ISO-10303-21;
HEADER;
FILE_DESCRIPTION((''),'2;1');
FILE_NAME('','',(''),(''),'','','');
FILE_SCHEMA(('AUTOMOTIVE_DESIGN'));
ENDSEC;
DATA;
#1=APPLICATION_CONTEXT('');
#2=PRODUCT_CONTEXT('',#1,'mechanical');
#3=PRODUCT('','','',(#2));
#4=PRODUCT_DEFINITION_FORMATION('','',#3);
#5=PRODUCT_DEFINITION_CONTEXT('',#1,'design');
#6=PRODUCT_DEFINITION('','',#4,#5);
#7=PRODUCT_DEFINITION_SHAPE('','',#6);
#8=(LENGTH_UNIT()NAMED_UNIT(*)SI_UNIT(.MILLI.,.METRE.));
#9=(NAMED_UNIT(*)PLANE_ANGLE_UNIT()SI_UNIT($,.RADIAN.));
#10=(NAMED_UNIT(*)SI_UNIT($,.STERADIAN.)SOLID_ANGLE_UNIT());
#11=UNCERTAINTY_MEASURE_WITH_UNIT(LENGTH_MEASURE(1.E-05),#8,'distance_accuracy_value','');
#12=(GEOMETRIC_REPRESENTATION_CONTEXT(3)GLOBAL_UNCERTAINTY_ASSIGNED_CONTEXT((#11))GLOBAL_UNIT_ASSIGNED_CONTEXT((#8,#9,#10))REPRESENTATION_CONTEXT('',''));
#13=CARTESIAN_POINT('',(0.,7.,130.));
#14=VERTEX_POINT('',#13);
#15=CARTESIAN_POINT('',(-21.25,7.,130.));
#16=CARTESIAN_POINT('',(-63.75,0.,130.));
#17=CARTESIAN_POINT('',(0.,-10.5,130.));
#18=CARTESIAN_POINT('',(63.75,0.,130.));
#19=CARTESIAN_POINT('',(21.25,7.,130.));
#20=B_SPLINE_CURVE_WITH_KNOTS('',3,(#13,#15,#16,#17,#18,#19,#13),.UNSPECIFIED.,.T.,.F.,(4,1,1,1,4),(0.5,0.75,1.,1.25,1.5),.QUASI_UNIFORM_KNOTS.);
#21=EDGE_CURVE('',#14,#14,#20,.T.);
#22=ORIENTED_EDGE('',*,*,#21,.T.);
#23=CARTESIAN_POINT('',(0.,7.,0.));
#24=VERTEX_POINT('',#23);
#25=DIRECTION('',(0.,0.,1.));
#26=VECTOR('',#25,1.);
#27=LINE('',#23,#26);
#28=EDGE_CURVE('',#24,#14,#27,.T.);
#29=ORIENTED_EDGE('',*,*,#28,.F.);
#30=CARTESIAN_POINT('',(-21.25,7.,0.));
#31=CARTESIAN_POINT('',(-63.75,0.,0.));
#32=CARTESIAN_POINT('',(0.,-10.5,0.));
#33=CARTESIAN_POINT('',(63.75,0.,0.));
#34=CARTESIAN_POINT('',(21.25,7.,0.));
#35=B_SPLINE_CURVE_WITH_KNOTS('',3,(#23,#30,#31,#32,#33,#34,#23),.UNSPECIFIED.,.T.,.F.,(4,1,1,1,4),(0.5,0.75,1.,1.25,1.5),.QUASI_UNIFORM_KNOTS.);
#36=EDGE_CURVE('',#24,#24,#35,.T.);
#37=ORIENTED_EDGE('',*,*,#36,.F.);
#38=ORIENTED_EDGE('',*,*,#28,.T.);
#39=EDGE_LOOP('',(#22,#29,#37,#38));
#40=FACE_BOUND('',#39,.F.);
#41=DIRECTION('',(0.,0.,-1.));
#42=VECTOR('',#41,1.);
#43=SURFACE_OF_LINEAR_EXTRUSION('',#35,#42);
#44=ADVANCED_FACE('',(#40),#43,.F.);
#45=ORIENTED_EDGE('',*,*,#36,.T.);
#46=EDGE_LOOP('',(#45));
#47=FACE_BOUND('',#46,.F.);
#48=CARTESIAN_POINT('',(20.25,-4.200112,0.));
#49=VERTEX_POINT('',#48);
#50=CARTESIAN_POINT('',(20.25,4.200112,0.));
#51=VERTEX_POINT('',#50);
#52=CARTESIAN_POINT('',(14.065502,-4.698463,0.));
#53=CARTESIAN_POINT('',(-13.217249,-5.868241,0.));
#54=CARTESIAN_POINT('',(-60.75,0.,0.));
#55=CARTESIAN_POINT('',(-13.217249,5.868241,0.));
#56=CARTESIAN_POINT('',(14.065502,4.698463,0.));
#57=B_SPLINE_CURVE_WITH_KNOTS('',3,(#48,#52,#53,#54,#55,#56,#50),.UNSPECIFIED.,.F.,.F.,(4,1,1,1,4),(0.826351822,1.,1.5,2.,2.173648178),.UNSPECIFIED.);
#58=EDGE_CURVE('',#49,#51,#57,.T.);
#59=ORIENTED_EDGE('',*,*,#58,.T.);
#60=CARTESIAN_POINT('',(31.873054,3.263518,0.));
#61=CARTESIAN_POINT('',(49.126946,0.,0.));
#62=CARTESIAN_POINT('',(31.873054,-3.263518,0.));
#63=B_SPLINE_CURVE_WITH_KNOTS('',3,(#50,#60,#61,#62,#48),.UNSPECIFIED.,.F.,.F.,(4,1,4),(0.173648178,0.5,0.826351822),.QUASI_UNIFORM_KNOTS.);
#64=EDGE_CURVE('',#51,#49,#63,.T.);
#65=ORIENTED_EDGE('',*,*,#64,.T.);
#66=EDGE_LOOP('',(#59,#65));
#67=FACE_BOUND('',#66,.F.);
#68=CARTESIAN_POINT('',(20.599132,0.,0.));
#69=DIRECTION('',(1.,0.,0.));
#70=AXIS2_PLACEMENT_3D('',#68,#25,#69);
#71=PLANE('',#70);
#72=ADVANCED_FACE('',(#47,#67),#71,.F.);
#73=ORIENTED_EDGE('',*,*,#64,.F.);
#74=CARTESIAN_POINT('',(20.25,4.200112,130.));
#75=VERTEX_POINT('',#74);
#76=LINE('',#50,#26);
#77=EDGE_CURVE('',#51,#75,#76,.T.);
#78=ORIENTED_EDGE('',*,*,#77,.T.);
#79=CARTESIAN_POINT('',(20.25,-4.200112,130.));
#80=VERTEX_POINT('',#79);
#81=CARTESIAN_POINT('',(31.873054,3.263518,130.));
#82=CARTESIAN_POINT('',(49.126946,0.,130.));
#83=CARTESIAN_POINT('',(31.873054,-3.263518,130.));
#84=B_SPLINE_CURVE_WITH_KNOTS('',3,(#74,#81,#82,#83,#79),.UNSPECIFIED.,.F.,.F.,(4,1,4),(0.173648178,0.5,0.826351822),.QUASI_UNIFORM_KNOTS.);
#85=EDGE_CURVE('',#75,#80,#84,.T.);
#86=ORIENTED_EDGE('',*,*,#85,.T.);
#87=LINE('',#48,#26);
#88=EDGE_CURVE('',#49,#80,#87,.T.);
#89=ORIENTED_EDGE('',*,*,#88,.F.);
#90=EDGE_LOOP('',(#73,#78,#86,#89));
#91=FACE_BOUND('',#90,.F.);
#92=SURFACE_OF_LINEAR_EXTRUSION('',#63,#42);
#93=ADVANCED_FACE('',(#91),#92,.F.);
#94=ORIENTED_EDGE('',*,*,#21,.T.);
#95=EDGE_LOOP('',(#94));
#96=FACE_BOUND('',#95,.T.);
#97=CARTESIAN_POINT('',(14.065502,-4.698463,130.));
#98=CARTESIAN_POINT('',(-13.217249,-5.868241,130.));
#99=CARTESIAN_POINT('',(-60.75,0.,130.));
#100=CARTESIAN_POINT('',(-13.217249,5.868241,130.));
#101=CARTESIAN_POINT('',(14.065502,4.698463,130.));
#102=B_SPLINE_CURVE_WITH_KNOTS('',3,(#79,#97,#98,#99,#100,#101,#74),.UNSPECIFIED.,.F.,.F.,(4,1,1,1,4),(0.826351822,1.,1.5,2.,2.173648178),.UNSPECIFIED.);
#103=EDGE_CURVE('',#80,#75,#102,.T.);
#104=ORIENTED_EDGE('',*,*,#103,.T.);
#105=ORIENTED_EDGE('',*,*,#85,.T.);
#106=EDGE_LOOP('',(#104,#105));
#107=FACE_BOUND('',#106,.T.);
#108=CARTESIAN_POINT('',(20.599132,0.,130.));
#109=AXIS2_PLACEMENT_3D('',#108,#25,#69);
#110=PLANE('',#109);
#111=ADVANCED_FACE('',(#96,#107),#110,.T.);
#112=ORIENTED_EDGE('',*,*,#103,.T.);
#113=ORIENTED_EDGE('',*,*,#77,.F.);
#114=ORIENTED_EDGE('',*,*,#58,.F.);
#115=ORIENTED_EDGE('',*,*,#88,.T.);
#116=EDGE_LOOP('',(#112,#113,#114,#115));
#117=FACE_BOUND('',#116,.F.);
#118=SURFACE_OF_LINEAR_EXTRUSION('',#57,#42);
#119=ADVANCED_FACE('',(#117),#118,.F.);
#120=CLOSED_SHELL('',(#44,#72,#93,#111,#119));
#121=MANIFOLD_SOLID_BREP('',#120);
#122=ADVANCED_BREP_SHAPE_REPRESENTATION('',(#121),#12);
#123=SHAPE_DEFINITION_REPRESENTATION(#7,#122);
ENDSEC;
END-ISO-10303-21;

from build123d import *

# Parameters (mm, degrees)
F1_DEPTH = 130


with BuildPart() as f1:
    # F0 (on Top) → F1 (new body)
    with BuildSketch(Plane.XY):
        with BuildLine():
            Line((0, 7), (0, 5))
            add(Edge.make_bspline(
                [(0, 5), (7.0327511955, 5), (14.065502391, 4.6984631039), (20.25, 4.2001119768)],
                knots=[0, 0, 0, 0, 0.1736481777, 0.1736481777, 0.1736481777, 0.1736481777], degree=3))
            add(Edge.make_bspline(
                [(20.25, 4.2001119768), (31.8730535329, 3.2635182233), (40.5, 1.6317591117), (40.5, 0)],
                knots=[0.1736481777, 0.1736481777, 0.1736481777, 0.1736481777, 0.5, 0.5, 0.5, 0.5], degree=3))
            add(Edge.make_bspline(
                [(40.5, 0), (40.5, -1.6317591117), (31.8730535329, -3.2635182233), (20.25, -4.2001119768)],
                knots=[0.5, 0.5, 0.5, 0.5, 0.8263518223, 0.8263518223, 0.8263518223, 0.8263518223], degree=3))
            add(Edge.make_bspline(
                [(20.25, -4.2001119768), (14.065502391, -4.6984631039), (7.0327511955, -5), (0, -5)],
                knots=[0.8263518223, 0.8263518223, 0.8263518223, 0.8263518223, 1, 1, 1, 1], degree=3))
            Line((0, -5), (0, -7))
            add(Edge.make_bspline(
                [(0, 7), (21.25, 7), (63.75, 0), (21.25, -7), (0, -7)],
                knots=[0, 0, 0, 0, 0.25, 0.5, 0.5, 0.5, 0.5], degree=3))
        make_face()
        with BuildLine():
            add(Edge.make_bspline(
                [(0, 5), (-20.25, 5), (-60.75, 0), (-20.25, -5), (0, -5)],
                knots=[0, 0, 0, 0, 0.5, 1, 1, 1, 1], degree=3))
            Line((0, 5), (0, 7))
            add(Edge.make_bspline(
                [(0, -7), (-21.25, -7), (-63.75, 0), (-21.25, 7), (0, 7)],
                knots=[0.5, 0.5, 0.5, 0.5, 0.75, 1, 1, 1, 1], degree=3))
            Line((0, -7), (0, -5))
        make_face()
    extrude(amount=F1_DEPTH)


solid = f1.part
